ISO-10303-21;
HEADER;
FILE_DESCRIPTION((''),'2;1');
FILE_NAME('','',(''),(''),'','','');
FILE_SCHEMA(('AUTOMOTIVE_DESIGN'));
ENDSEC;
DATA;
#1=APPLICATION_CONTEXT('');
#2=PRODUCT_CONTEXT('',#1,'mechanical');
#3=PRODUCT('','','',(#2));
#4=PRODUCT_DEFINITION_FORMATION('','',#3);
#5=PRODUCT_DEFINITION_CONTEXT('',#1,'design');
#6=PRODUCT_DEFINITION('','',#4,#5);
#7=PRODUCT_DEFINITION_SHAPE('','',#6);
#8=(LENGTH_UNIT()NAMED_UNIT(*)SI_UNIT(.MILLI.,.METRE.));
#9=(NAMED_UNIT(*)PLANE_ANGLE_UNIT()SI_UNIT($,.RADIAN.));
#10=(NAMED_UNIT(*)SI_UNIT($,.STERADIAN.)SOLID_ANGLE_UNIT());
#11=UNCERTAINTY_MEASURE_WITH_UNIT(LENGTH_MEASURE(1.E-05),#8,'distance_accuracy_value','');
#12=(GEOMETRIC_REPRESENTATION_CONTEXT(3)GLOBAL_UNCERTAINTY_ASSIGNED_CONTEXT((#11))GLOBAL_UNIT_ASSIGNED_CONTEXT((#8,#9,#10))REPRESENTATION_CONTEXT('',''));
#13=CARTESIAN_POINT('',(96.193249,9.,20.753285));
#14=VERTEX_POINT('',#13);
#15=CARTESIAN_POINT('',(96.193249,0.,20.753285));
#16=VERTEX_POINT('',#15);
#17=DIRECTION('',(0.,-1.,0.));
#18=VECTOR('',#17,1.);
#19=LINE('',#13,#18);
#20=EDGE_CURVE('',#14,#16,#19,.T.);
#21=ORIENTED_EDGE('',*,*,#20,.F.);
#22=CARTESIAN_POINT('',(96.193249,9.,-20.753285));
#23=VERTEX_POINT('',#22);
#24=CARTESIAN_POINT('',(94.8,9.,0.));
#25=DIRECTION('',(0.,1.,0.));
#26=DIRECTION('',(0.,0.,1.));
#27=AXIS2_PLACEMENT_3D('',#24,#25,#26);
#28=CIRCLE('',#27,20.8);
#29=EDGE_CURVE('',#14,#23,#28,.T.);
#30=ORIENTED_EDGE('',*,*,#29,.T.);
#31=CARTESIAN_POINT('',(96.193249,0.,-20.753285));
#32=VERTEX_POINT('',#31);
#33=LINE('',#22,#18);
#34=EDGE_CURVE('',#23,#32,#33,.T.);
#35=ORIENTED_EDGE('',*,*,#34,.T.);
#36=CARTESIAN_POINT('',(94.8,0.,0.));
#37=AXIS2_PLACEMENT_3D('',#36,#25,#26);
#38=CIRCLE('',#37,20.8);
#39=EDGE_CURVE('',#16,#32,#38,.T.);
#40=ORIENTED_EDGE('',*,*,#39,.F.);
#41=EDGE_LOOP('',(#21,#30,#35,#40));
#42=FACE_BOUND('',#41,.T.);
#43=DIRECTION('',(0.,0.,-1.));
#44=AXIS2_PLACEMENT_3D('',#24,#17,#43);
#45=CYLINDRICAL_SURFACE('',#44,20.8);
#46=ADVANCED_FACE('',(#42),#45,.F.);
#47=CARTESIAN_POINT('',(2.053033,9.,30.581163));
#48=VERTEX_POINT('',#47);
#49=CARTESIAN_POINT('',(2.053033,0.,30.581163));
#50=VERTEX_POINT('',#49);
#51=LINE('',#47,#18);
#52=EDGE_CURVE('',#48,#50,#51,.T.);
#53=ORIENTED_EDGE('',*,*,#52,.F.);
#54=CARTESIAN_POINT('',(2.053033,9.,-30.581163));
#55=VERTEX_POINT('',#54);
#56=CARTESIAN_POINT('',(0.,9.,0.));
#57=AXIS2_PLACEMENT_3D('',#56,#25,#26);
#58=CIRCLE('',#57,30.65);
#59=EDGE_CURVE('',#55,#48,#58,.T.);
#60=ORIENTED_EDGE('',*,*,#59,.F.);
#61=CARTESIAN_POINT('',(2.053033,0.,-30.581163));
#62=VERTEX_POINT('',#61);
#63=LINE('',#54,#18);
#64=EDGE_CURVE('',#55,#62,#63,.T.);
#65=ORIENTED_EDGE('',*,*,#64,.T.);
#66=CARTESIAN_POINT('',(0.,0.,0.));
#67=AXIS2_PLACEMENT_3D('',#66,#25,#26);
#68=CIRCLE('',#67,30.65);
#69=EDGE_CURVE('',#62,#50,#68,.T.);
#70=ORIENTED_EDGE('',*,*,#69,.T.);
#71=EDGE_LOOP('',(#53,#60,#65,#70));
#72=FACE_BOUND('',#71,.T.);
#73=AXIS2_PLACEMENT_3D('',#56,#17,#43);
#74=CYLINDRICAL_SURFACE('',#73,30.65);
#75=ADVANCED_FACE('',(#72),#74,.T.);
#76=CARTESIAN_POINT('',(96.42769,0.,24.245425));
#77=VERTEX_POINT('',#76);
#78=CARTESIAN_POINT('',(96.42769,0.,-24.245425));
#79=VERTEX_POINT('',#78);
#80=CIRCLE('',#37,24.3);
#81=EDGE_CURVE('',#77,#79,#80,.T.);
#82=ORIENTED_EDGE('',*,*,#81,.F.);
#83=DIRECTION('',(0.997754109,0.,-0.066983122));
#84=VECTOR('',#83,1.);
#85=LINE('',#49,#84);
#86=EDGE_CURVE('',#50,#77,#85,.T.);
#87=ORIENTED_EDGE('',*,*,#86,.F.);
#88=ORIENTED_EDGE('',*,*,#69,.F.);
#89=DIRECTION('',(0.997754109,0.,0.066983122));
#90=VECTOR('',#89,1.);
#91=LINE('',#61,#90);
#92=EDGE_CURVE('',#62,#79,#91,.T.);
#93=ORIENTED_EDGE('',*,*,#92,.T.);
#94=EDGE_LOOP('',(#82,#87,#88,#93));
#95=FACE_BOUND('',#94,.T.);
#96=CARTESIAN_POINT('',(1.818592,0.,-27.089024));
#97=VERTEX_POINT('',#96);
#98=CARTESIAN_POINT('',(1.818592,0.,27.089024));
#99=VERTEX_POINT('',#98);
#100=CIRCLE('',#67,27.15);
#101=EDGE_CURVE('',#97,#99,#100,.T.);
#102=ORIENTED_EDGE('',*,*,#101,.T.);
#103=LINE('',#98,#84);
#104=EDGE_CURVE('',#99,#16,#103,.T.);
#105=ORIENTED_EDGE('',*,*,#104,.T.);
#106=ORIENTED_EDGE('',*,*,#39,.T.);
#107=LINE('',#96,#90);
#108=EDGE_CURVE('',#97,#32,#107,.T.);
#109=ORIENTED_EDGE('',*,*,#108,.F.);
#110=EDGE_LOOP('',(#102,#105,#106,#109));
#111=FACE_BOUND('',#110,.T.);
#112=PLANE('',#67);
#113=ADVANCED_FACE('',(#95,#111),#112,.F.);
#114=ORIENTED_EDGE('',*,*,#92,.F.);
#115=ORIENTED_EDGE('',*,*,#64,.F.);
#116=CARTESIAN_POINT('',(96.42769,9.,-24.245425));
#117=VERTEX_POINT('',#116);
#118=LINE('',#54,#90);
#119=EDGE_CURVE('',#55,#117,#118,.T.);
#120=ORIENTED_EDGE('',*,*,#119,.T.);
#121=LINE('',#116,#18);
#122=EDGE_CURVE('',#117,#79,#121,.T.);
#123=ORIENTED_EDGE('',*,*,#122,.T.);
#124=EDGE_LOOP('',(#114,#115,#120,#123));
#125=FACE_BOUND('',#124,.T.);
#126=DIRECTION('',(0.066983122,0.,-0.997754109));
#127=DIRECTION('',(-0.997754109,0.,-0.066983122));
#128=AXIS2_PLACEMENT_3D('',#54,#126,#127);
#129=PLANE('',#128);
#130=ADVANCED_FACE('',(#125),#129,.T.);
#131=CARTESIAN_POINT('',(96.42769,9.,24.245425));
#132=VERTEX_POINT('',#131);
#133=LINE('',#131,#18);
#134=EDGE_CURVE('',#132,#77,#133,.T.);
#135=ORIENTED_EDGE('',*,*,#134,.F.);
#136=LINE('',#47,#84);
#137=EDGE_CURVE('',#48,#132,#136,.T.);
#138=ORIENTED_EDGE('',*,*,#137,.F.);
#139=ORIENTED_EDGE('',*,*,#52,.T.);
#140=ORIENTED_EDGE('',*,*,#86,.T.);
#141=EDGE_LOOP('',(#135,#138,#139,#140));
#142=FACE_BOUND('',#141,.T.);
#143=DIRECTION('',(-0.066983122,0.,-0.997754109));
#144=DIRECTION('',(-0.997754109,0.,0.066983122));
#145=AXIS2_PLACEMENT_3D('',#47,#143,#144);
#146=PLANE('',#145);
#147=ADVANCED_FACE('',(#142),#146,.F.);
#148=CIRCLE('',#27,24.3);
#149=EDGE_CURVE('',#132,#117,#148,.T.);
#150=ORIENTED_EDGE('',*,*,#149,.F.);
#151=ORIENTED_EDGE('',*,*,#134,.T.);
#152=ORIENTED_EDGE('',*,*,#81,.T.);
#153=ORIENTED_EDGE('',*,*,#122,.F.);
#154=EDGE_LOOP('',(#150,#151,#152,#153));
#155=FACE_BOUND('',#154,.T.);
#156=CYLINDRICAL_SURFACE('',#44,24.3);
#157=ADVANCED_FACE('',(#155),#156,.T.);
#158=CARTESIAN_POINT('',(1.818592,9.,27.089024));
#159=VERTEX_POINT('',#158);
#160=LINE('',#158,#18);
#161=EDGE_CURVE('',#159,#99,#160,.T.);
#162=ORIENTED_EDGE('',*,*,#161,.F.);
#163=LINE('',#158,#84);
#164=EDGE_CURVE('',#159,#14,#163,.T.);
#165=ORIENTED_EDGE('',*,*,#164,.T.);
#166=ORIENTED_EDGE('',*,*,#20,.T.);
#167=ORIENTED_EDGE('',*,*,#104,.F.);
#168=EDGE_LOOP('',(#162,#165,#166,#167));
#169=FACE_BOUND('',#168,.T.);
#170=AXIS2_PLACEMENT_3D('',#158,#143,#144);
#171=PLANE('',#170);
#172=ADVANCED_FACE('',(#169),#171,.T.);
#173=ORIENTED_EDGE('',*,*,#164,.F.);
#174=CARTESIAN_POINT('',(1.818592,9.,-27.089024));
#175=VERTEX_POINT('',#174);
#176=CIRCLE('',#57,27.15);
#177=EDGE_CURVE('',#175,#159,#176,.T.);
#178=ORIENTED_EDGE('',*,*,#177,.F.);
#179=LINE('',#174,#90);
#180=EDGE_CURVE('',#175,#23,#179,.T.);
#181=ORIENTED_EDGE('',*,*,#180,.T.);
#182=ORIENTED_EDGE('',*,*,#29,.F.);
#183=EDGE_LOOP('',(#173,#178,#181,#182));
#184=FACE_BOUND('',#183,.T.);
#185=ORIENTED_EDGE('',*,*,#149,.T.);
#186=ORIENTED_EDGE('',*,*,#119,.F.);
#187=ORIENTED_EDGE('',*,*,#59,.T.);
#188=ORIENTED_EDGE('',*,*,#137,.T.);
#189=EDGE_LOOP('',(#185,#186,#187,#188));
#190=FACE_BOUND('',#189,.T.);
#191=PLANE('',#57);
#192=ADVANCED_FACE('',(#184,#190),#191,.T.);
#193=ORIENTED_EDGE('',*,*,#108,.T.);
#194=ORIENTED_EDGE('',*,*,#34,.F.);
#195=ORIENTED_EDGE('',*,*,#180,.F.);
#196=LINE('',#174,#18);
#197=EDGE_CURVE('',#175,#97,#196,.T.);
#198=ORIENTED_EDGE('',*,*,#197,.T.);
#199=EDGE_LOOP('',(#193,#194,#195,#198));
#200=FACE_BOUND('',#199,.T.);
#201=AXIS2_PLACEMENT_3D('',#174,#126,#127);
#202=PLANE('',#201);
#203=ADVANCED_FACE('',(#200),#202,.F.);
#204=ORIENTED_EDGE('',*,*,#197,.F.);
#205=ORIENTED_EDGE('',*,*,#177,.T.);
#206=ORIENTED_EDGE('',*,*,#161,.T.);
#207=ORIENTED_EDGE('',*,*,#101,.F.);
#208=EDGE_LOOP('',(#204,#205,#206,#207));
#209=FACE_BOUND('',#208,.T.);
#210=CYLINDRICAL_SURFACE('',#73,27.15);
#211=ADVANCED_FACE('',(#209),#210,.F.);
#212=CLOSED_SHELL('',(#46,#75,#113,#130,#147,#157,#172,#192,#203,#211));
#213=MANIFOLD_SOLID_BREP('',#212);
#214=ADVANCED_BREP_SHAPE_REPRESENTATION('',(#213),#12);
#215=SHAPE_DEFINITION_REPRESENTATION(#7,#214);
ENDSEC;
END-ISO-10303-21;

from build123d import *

# Parameters (mm, degrees)
BOSS_EXTRUDE1_DEPTH = 9


with BuildPart() as part:
    # Sketch1 → Boss-Extrude1 (new body)
    # profile 1 of 2: a face of its own
    with BuildSketch(Plane(origin=(0, 0, 0), x_dir=(1, 0, 0), z_dir=(0, 1, 0))):
        with BuildLine():
            Line((2.0530327, 30.58116343), (96.427689873, 24.24542484))
            ThreePointArc((96.427689873, 24.24542484), (119.1, 0), (96.427689873, -24.24542484))
            Line((96.427689873, -24.24542484), (2.0530327, -30.58116343))
            ThreePointArc((2.0530327, -30.58116343), (-30.65, 0), (2.0530327, 30.58116343))
        make_face()
        with BuildLine():
            ThreePointArc((96.293723629, -22.249916623), (117.1, 0), (96.293723629, 22.249916623))
            Line((96.293723629, 22.249916623), (1.919066456, 28.585655213))
            ThreePointArc((1.919066456, 28.585655213), (-28.65, 0), (1.919066456, -28.585655213))
            Line((1.919066456, -28.585655213), (96.293723629, -22.249916623))
        make_face(mode=Mode.SUBTRACT)
    # profile 2 of 2: a face of its own
    with BuildSketch(Plane(origin=(0, 0, 0), x_dir=(1, 0, 0), z_dir=(0, 1, 0))):
        with BuildLine():
            Line((1.919066456, -28.585655213), (96.293723629, -22.249916623))
            ThreePointArc((96.293723629, -22.249916623), (117.1, 0), (96.293723629, 22.249916623))
            Line((96.293723629, 22.249916623), (1.919066456, 28.585655213))
            ThreePointArc((1.919066456, 28.585655213), (-28.65, 0), (1.919066456, -28.585655213))
        make_face()
        with BuildLine():
            ThreePointArc((1.818591772, 27.08902405), (-27.15, 0), (1.818591772, -27.08902405))
            Line((1.818591772, -27.08902405), (96.193248945, -20.75328546))
            ThreePointArc((96.193248945, -20.75328546), (115.6, 0), (96.193248945, 20.75328546))
            Line((96.193248945, 20.75328546), (1.818591772, 27.08902405))
        make_face(mode=Mode.SUBTRACT)
    extrude(amount=BOSS_EXTRUDE1_DEPTH)


solid = part.part
